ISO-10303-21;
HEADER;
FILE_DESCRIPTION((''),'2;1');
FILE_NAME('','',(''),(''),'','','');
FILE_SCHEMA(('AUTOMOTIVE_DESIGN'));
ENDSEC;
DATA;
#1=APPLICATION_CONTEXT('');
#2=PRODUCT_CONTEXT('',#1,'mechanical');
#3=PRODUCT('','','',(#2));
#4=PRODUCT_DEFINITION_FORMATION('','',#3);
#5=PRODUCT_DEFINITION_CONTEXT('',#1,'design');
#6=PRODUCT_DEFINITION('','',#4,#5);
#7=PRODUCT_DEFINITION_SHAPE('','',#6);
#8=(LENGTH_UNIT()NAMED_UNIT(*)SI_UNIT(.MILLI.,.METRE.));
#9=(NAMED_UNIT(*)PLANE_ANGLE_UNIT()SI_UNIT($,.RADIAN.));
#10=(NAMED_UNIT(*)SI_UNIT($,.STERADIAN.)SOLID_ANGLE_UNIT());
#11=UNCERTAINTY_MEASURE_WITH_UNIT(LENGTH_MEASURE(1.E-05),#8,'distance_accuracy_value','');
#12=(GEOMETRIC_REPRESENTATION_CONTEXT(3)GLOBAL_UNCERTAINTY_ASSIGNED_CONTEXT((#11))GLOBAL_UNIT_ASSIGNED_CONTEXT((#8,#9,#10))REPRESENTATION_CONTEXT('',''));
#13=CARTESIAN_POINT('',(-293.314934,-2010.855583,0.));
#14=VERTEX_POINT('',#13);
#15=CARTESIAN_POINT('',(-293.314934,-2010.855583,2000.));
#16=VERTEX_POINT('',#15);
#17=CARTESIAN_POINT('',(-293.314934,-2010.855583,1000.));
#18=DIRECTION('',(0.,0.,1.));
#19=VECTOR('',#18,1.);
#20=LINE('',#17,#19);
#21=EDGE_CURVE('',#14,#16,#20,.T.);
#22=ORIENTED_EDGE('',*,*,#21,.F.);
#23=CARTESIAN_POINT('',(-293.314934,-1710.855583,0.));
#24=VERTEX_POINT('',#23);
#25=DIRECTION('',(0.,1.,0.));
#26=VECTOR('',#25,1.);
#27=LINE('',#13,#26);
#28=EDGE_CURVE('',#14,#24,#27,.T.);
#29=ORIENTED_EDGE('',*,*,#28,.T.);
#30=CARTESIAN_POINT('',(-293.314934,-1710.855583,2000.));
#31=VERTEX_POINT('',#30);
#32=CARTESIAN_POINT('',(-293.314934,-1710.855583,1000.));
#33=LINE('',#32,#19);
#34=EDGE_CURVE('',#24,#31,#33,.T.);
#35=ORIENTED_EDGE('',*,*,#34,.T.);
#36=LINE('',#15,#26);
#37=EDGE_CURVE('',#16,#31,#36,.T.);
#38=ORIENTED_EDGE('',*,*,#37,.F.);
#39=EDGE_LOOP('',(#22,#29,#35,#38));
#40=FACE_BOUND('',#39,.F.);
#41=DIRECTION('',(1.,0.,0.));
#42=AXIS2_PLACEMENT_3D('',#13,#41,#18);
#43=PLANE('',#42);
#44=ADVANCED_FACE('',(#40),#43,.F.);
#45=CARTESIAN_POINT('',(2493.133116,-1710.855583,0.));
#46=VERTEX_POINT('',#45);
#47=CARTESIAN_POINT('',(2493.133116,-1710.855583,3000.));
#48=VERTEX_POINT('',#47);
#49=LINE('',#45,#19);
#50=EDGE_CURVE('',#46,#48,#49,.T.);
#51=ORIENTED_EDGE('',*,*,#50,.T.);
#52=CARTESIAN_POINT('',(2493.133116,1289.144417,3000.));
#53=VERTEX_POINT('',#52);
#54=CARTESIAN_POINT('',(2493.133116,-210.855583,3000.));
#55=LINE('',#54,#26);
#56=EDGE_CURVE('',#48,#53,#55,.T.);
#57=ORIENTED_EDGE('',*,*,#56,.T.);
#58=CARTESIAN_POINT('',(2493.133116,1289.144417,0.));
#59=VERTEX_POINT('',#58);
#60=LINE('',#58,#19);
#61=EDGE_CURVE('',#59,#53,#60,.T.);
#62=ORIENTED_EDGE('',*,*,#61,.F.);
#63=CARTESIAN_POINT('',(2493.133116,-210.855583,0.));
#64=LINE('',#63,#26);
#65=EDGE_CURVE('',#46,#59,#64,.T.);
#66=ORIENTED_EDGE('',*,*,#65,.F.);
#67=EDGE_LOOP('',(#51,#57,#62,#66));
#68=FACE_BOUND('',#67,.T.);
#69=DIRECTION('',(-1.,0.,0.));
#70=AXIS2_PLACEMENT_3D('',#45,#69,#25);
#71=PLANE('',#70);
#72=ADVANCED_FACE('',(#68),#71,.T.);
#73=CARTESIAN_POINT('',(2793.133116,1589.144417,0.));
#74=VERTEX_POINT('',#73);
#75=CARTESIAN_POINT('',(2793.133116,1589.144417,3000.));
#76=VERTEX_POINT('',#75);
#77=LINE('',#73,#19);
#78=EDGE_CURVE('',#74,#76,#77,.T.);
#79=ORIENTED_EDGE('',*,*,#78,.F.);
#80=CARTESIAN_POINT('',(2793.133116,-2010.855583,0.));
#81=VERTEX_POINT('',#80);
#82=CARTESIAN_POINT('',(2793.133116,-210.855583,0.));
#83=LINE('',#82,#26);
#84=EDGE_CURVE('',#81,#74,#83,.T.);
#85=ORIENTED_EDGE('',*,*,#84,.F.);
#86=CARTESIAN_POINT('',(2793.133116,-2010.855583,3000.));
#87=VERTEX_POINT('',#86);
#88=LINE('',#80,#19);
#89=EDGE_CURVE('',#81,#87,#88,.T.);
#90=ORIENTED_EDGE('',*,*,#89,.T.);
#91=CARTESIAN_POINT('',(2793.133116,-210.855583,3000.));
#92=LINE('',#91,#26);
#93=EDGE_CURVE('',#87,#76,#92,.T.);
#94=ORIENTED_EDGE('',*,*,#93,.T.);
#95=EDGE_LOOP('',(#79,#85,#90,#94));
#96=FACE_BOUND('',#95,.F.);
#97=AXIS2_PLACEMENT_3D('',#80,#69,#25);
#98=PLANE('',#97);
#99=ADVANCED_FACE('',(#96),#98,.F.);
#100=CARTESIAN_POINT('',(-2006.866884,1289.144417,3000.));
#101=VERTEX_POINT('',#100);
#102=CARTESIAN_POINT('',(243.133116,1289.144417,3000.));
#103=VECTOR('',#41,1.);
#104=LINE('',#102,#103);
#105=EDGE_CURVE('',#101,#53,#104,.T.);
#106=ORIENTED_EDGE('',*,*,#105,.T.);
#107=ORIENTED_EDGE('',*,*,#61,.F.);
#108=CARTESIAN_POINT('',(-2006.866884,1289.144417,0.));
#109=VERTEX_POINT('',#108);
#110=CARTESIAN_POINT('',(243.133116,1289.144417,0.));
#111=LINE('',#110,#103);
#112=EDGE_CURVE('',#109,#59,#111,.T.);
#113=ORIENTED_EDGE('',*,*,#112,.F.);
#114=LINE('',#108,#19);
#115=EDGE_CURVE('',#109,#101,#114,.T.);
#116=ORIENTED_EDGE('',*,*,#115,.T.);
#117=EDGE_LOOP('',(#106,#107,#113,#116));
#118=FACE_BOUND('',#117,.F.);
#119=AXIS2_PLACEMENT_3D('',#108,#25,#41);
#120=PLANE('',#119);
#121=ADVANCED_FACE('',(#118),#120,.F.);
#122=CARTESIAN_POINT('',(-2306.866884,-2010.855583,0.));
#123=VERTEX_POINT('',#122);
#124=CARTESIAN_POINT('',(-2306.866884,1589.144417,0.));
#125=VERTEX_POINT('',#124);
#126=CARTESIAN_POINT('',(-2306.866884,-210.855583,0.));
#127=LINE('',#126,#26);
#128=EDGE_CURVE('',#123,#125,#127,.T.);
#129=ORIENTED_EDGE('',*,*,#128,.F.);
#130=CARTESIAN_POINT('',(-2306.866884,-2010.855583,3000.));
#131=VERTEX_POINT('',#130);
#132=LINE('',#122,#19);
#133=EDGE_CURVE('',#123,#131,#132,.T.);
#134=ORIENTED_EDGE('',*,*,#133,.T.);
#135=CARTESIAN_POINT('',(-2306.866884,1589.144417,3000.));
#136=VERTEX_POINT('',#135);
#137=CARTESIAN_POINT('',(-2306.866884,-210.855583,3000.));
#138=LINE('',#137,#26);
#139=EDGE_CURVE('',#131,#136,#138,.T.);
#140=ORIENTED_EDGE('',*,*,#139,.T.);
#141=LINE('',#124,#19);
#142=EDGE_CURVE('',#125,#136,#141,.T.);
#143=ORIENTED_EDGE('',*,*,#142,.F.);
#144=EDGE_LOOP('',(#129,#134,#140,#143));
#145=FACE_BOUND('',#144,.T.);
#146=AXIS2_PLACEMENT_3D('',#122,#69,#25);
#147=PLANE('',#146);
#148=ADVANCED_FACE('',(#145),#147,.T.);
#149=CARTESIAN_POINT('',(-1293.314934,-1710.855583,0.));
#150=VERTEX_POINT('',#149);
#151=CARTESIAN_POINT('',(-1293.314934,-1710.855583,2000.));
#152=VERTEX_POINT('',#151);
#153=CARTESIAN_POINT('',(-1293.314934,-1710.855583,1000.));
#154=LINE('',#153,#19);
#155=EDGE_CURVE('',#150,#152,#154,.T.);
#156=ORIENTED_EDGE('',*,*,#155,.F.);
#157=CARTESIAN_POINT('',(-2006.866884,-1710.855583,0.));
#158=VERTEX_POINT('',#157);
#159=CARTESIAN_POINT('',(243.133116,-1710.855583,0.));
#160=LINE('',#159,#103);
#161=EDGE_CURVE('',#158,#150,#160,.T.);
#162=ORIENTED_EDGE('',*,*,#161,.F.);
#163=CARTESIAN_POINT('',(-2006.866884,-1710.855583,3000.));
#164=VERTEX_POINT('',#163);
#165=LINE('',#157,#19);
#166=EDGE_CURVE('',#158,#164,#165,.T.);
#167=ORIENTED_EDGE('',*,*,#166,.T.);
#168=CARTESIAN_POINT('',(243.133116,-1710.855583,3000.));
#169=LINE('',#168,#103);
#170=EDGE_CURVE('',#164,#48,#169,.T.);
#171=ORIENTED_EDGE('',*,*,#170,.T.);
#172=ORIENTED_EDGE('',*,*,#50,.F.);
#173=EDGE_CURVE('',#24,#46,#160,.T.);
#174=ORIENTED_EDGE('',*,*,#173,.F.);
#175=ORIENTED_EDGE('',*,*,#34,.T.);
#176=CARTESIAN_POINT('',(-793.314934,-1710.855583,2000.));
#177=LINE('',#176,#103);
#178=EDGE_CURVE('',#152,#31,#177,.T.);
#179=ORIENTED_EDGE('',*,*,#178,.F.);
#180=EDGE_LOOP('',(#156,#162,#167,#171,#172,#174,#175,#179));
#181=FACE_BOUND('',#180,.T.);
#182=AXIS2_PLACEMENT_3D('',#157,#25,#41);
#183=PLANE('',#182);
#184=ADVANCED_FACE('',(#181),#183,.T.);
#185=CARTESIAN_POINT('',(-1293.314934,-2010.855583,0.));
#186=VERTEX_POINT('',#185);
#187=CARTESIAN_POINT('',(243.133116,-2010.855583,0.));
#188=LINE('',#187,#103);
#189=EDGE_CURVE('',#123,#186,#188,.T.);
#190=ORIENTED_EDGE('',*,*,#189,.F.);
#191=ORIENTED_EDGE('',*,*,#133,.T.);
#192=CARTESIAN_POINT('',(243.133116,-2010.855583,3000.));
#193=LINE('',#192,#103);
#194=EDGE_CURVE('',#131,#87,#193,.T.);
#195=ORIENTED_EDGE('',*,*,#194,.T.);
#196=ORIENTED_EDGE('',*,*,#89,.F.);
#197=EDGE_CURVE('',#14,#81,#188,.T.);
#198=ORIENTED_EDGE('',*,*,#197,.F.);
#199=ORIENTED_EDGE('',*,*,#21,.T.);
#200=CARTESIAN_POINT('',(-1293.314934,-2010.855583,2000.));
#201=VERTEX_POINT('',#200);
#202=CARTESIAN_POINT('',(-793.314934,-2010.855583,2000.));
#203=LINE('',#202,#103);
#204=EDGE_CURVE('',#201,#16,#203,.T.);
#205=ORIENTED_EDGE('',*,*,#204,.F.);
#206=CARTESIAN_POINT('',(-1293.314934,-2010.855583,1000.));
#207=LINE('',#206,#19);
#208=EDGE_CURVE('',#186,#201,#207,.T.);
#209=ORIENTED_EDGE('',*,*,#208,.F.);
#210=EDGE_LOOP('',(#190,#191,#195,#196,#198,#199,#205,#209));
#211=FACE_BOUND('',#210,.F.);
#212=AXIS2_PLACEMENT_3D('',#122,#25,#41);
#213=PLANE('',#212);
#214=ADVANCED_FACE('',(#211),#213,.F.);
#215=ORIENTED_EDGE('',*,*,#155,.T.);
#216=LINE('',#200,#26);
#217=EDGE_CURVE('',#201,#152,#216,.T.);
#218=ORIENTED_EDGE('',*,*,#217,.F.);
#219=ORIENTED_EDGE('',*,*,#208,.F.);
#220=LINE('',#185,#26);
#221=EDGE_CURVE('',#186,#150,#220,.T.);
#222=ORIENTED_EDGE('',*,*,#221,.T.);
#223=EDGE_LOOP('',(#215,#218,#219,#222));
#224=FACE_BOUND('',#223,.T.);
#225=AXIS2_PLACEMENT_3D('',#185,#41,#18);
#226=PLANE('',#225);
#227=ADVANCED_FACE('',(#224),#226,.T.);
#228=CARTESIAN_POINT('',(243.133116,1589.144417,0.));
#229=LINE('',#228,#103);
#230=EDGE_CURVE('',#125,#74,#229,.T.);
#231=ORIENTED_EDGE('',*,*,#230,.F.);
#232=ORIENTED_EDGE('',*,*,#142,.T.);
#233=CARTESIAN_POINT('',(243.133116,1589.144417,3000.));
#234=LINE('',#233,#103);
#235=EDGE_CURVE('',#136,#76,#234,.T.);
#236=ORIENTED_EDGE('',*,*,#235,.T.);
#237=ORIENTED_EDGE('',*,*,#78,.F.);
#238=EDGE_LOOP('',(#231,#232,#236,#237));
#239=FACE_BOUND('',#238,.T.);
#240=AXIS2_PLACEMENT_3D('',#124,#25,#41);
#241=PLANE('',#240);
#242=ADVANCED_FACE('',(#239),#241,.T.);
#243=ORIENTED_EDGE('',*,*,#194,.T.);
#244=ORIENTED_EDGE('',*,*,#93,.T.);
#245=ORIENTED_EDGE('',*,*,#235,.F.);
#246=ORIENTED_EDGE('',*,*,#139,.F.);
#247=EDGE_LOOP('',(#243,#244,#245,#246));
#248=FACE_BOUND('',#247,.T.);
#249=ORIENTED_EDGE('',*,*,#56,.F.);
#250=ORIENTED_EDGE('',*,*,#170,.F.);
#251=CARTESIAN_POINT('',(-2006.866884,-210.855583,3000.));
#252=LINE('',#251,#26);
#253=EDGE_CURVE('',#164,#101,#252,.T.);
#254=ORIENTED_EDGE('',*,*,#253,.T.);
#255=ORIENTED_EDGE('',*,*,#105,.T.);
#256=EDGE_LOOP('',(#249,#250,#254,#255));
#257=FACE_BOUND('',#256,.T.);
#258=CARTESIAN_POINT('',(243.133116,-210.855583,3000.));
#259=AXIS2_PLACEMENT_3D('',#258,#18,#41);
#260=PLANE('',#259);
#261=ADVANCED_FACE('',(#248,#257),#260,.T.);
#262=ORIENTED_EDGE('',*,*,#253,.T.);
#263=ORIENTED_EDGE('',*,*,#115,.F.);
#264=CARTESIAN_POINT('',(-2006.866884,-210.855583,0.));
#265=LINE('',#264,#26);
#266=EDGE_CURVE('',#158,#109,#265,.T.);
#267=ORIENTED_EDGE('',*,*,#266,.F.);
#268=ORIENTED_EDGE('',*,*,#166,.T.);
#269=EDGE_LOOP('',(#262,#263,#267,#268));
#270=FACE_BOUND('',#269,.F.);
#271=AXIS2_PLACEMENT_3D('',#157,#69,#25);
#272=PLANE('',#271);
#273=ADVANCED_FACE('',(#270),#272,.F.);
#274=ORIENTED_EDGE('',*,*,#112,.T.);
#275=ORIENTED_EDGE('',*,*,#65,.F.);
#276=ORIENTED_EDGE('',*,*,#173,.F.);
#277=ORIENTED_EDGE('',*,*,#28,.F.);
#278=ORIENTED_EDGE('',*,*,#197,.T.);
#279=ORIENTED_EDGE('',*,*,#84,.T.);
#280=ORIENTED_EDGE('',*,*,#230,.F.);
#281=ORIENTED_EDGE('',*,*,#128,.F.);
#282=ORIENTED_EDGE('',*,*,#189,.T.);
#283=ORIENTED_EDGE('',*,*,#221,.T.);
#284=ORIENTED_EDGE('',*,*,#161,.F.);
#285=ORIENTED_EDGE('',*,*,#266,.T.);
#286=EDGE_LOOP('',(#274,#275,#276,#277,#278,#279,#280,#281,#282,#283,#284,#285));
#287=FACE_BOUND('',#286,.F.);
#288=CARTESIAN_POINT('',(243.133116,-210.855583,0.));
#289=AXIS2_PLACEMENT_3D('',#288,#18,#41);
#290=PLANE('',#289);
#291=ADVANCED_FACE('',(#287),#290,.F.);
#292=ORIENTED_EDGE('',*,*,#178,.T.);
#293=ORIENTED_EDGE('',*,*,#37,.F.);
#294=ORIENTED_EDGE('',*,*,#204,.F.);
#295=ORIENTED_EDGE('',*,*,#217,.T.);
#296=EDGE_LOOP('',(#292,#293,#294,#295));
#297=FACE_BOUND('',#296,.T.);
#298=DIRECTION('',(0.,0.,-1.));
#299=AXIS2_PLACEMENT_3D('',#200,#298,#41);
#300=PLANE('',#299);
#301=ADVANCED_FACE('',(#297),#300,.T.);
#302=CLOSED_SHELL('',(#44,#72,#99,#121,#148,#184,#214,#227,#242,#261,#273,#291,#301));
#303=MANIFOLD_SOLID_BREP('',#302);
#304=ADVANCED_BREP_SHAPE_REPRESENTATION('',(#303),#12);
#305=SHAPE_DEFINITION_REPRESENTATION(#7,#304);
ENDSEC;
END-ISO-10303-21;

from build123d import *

# Parameters (mm, degrees)
F0_W     = 5100
F0_H     = 3600
F0_W_2   = 4500
F0_H_2   = 3000
F1_DEPTH = 3000
F2_W     = 1000
F2_H     = 2000
F3_DEPTH = 300


with BuildPart() as f1:
    # F0 (on Top) → F1 (new body)
    with BuildSketch(Plane.XY):
        with Locations((243.133116, -210.855583)):
            Rectangle(F0_W, F0_H)
        with Locations((243.133116, -210.855583)):
            Rectangle(F0_W_2, F0_H_2, mode=Mode.SUBTRACT)
    extrude(amount=F1_DEPTH)

    # F2 (on face) → F3 (cut, through all)
    with BuildSketch(Plane.XZ.offset(2010.855583)):
        with Locations((-793.314934, 1000)):
            Rectangle(F2_W, F2_H)
    extrude(amount=-F3_DEPTH, mode=Mode.SUBTRACT)


solid = f1.part
